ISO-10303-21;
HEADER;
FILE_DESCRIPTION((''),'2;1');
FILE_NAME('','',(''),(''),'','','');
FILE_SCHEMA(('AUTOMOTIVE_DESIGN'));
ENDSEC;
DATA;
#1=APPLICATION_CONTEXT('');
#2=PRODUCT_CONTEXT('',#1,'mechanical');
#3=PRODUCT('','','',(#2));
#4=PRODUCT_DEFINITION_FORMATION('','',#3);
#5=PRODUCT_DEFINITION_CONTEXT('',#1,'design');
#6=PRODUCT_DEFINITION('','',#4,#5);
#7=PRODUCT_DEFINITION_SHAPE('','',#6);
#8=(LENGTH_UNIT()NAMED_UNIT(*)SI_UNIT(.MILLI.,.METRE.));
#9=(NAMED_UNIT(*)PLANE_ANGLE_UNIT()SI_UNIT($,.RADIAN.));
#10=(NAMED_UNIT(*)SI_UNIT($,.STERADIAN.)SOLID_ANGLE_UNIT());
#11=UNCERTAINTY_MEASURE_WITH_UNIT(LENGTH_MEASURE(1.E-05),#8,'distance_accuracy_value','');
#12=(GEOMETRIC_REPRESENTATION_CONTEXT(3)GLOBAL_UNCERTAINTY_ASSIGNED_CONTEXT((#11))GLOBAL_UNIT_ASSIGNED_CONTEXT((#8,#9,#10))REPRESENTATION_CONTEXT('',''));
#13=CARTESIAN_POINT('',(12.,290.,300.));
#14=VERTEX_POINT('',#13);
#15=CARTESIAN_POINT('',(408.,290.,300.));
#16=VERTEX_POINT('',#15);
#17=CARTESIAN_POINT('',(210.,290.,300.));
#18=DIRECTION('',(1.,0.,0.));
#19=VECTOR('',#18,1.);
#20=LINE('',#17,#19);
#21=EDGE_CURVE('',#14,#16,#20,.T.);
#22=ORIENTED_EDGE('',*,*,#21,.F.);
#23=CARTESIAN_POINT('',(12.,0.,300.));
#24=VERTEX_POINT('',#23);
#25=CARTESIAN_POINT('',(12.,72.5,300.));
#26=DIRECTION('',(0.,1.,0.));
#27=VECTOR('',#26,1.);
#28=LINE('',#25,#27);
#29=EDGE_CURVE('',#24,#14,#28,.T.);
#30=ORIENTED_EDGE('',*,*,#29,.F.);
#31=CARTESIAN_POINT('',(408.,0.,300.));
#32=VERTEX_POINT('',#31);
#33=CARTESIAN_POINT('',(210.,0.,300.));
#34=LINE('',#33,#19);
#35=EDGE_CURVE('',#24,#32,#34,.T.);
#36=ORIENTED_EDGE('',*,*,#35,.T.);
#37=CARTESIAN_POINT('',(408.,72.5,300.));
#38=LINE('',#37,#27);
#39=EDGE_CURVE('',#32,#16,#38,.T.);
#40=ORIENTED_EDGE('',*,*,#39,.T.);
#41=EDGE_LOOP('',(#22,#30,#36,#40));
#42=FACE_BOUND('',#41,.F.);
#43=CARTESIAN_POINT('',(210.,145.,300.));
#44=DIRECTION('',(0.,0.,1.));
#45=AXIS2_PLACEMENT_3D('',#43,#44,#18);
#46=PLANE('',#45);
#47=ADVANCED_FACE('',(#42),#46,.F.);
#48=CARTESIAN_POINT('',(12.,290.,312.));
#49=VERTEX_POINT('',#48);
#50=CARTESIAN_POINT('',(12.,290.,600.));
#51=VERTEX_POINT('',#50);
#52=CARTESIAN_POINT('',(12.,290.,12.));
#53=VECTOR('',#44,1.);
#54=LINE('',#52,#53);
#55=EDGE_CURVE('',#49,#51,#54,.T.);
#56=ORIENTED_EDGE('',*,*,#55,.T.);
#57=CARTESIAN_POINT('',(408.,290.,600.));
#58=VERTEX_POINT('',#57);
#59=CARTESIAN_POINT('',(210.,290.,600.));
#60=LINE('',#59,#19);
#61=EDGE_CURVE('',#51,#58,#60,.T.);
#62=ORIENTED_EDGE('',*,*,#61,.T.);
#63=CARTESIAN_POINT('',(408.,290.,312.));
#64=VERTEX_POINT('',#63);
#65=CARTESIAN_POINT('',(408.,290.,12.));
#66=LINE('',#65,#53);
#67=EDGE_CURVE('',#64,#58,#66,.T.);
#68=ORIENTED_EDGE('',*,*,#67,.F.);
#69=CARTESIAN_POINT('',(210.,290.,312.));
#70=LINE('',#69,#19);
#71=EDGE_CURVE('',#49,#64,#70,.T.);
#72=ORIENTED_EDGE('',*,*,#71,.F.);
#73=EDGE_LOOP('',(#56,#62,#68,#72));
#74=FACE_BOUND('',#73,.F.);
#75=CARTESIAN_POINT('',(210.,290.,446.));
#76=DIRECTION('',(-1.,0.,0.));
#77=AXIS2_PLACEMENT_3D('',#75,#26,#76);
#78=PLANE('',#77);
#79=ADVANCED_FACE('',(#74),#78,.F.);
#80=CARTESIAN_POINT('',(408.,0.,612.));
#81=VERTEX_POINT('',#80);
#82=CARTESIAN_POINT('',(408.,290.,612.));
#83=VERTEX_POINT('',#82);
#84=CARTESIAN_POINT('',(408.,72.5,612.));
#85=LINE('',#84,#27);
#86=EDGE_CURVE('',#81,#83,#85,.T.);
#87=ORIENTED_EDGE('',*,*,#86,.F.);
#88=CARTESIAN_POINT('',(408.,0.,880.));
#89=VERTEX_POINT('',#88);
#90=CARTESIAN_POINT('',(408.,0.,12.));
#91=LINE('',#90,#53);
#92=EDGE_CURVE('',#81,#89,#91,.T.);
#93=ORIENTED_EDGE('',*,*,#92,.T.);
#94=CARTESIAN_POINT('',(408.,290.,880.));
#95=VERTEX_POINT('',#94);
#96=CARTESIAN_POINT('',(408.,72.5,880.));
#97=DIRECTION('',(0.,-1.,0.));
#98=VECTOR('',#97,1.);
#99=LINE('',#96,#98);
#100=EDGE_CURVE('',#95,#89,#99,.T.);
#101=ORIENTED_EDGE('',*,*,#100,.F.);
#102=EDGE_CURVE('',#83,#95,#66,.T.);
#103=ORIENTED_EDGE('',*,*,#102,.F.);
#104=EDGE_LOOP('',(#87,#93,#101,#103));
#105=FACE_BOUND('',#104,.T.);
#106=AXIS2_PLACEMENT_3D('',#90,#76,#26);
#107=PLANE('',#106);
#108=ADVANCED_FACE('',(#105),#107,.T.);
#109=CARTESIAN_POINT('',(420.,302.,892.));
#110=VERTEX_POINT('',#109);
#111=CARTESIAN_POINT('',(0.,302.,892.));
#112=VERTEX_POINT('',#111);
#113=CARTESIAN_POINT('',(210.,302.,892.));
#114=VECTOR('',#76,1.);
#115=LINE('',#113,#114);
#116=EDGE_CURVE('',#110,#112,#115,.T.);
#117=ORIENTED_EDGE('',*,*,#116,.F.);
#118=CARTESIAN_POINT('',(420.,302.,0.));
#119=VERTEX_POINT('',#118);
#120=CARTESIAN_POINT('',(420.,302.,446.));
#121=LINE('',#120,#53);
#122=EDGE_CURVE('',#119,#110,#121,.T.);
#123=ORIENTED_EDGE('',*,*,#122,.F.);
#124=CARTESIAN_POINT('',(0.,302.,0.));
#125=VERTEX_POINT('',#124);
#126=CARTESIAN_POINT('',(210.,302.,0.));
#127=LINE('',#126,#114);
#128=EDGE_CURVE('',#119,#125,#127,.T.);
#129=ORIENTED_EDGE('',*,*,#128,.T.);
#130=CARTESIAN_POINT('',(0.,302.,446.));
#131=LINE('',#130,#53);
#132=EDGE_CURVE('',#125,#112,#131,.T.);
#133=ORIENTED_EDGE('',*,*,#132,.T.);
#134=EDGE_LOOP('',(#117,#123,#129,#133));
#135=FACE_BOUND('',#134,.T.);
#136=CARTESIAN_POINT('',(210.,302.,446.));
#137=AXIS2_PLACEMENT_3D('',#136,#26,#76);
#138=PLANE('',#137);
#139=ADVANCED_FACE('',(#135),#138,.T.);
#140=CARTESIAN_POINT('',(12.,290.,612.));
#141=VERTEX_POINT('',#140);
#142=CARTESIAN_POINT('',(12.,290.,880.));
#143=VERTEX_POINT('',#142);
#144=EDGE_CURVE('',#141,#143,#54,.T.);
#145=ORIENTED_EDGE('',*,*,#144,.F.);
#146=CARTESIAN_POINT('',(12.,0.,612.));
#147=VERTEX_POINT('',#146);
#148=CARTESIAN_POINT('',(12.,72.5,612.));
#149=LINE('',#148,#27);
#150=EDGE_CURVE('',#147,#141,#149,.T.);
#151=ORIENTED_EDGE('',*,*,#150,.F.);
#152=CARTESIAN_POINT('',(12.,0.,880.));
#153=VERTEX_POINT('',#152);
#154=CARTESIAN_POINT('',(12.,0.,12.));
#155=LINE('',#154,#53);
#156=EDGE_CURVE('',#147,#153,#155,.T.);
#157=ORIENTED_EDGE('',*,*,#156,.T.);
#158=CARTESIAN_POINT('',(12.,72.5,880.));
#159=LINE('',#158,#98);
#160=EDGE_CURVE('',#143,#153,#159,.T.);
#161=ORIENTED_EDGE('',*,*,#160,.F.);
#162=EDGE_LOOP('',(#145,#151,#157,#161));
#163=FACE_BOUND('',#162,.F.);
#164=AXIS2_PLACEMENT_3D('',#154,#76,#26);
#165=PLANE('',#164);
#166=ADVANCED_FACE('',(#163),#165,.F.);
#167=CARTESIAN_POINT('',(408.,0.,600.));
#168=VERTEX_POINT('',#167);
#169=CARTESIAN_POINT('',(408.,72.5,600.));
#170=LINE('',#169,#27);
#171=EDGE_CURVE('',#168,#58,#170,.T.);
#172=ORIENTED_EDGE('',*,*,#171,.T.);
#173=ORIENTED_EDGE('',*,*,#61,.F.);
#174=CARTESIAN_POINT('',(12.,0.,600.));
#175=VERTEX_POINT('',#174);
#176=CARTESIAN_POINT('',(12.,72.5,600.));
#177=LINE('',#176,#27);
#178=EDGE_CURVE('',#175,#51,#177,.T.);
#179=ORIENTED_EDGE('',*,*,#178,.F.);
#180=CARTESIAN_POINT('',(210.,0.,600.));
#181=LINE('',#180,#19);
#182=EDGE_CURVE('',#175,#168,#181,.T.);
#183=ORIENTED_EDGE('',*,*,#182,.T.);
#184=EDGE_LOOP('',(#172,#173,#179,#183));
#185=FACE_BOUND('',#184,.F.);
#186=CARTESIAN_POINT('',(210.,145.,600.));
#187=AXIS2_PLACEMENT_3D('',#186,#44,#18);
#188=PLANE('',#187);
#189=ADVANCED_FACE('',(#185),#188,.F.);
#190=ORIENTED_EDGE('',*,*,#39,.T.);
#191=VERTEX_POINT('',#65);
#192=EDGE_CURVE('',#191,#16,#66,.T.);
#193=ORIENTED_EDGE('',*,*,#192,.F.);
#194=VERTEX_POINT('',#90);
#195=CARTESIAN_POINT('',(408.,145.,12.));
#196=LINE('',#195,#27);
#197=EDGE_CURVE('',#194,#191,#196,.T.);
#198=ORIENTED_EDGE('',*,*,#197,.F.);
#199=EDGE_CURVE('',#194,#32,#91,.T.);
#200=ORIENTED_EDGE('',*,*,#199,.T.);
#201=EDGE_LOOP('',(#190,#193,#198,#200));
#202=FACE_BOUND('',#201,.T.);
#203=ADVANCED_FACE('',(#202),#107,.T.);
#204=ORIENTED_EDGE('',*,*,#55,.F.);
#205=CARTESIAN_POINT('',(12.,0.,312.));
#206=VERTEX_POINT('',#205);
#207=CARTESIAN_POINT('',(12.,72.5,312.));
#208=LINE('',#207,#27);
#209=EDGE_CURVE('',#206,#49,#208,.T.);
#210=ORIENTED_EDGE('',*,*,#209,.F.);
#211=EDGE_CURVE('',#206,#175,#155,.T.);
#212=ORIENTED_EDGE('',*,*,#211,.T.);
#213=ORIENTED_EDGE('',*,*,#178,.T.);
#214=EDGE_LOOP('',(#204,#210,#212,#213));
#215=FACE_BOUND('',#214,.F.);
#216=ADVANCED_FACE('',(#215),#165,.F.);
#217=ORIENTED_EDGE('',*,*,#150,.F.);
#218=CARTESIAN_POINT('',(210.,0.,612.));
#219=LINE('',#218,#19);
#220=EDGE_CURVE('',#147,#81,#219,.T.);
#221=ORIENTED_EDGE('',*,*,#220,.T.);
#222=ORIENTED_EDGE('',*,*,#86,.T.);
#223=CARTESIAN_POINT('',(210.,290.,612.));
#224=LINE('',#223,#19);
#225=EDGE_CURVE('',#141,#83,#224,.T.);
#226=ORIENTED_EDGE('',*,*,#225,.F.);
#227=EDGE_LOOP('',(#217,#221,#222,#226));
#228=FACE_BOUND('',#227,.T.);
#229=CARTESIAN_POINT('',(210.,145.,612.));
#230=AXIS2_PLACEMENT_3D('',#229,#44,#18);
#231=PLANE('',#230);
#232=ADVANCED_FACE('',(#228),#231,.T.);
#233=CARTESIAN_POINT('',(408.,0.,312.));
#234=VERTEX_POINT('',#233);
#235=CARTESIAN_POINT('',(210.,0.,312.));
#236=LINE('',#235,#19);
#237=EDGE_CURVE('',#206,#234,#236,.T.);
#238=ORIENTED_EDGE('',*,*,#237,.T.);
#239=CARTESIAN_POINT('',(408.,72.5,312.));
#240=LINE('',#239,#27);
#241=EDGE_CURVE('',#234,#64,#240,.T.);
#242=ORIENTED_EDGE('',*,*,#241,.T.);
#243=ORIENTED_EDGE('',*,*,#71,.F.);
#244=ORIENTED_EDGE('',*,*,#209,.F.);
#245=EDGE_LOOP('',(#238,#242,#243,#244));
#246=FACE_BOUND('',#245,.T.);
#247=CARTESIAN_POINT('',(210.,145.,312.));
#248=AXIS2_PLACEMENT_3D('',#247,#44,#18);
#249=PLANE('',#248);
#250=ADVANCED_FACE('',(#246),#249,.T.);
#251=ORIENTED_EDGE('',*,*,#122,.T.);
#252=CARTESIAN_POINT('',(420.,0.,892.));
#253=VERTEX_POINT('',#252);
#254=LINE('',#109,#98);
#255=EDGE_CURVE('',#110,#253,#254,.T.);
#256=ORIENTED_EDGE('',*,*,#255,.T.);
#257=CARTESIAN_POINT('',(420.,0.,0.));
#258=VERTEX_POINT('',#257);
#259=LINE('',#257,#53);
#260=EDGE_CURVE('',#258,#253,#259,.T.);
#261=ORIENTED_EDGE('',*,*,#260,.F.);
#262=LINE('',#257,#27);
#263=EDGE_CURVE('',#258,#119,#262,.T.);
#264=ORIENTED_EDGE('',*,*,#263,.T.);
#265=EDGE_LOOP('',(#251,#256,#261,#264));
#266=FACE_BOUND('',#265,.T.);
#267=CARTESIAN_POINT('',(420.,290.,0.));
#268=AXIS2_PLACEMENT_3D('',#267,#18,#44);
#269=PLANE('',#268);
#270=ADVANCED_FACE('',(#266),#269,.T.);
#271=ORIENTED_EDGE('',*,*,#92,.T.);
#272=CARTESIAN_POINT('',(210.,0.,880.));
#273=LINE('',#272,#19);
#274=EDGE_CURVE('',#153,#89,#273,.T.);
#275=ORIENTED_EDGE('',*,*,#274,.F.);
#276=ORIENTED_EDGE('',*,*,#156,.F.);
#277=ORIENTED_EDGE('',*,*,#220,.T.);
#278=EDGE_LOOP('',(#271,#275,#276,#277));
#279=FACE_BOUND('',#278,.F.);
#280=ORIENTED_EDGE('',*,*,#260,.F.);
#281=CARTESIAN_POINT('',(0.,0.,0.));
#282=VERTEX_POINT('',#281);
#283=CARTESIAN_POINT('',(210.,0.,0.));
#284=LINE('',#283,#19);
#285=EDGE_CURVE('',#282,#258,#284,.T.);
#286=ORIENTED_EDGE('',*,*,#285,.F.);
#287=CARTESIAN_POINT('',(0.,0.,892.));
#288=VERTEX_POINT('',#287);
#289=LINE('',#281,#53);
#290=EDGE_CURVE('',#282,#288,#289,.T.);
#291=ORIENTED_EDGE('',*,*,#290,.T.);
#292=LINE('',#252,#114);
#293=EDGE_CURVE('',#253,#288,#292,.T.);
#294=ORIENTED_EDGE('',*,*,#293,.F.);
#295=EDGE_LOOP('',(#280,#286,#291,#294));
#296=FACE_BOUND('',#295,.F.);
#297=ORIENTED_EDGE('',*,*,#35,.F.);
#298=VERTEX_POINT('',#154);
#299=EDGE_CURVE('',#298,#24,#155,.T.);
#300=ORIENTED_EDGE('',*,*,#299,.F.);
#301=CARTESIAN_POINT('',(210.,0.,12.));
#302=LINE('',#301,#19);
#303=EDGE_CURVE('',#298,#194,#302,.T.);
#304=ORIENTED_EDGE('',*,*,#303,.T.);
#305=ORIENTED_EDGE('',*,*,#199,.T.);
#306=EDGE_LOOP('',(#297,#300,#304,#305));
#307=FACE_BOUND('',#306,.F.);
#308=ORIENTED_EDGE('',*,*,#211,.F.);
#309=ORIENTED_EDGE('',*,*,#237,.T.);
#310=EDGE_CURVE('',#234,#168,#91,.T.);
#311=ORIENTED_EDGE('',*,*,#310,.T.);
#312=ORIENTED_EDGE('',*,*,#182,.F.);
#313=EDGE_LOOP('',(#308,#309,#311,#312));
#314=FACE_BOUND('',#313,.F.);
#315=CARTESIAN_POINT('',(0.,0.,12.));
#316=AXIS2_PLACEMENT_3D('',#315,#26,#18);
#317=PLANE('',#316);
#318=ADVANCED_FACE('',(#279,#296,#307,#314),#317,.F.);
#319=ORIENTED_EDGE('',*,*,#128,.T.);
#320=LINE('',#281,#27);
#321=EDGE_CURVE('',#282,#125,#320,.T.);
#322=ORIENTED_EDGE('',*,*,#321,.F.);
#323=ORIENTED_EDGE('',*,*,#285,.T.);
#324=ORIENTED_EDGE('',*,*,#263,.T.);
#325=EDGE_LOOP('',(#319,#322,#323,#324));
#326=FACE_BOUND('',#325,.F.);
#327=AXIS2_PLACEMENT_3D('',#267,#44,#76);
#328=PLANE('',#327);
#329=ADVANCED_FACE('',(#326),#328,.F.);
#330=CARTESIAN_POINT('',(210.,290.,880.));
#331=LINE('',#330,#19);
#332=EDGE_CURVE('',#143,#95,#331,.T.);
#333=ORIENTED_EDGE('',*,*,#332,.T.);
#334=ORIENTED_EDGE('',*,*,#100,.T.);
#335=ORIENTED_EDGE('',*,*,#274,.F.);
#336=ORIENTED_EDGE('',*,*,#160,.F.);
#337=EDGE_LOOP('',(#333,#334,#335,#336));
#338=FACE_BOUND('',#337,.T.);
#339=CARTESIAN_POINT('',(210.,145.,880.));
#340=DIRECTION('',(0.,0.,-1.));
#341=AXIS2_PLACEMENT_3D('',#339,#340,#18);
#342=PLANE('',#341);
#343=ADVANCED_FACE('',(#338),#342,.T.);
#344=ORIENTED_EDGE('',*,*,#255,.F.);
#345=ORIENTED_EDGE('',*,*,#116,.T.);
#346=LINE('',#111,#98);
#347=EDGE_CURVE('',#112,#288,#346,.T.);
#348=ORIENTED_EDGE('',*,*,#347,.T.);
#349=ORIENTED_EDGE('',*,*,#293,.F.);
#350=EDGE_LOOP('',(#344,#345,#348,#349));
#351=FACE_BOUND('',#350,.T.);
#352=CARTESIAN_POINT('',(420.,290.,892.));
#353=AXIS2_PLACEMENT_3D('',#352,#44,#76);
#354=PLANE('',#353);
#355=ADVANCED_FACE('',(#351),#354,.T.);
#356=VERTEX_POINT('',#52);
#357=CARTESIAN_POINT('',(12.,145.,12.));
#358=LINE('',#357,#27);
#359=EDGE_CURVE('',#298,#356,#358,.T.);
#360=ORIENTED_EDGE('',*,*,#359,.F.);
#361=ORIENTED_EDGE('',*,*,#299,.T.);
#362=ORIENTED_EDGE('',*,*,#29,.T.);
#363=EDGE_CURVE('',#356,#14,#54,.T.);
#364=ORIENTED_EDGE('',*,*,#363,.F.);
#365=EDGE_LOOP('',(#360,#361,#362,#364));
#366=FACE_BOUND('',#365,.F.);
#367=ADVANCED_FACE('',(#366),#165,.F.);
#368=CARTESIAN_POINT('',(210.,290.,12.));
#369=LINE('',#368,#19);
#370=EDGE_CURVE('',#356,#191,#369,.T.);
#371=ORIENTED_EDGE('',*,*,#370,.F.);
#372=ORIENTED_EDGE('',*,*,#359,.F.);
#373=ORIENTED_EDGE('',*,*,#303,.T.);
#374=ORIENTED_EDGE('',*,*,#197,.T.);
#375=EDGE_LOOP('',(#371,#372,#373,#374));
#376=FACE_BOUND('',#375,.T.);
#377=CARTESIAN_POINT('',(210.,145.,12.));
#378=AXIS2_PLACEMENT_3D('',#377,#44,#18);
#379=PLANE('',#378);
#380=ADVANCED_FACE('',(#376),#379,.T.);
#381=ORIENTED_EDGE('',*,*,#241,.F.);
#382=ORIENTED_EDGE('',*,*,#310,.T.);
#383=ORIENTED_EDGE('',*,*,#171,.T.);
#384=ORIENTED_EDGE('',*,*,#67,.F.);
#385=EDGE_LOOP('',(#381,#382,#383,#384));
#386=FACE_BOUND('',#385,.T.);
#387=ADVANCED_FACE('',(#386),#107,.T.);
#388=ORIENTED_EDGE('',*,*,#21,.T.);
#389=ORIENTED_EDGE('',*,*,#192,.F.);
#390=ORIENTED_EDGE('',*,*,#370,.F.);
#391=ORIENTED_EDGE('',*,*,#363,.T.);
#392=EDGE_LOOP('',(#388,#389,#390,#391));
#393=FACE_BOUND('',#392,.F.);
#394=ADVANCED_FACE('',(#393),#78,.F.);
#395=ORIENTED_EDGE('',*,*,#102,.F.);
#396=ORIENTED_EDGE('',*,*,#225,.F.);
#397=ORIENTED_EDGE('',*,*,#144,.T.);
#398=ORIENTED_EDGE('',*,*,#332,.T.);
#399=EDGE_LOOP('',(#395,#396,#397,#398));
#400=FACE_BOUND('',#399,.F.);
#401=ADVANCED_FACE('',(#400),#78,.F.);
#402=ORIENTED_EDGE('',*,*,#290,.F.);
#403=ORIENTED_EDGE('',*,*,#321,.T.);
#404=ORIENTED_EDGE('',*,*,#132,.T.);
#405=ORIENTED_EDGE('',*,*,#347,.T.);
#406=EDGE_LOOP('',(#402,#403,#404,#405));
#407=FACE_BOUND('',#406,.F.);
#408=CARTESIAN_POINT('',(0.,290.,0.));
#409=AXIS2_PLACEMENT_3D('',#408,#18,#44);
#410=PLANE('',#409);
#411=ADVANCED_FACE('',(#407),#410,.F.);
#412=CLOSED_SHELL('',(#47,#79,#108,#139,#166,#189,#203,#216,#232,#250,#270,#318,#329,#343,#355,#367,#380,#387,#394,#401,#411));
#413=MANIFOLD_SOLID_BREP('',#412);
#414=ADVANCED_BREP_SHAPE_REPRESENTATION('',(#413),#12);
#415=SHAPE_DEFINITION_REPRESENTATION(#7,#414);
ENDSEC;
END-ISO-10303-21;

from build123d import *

# Parameters (mm, degrees)
F0_W      = 420
F0_H      = 290
F1_DEPTH  = 12
F2_W      = 12
F2_H      = 290
F3_DEPTH  = 880
F7_W      = 420
F7_H      = 290
F8_DEPTH  = 12
F9_W      = 420
F9_H      = 290
F10_DEPTH = 12
F13_W     = 420
F13_H     = 290
F14_DEPTH = 12
F15_W     = 420
F15_H     = 892
F16_DEPTH = 12


with BuildPart() as f1:
    # F0 (on Top) → F1 (new body)
    with BuildSketch(Plane.XY):
        with Locations((210, 145)):
            Rectangle(F0_W, F0_H)
    extrude(amount=F1_DEPTH)

    # F2 (on face) → F3 (join)
    with BuildSketch(Plane.XY.offset(12)):
        with Locations((6, 145)):
            Rectangle(F2_W, F2_H)
        with Locations((414, 145)):
            Rectangle(F2_W, F2_H)
    extrude(amount=F3_DEPTH)

    # F7 (on offset) → F8 (join)
    with BuildSketch(Plane.XY.offset(300)):
        with Locations((210, 145)):
            Rectangle(F7_W, F7_H)
    extrude(amount=F8_DEPTH)

    # F9 (on offset) → F10 (join)
    with BuildSketch(Plane.XY.offset(600)):
        with Locations((210, 145)):
            Rectangle(F9_W, F9_H)
    extrude(amount=F10_DEPTH)

    # F13 (on 3pt) → F14 (join)
    with BuildSketch(Plane(origin=(0, 0, 892), x_dir=(1, 0, 0), z_dir=(0, 0, -1))):
        with Locations((210, -145)):
            Rectangle(F13_W, F13_H)
    extrude(amount=F14_DEPTH)

    # F15 (on face) → F16 (join)
    with BuildSketch(Plane(origin=(0, 290, 0), x_dir=(-1, 0, 0), z_dir=(0, 1, 0))):
        with Locations((-210, 446)):
            Rectangle(F15_W, F15_H)
    extrude(amount=F16_DEPTH)


solid = f1.part
